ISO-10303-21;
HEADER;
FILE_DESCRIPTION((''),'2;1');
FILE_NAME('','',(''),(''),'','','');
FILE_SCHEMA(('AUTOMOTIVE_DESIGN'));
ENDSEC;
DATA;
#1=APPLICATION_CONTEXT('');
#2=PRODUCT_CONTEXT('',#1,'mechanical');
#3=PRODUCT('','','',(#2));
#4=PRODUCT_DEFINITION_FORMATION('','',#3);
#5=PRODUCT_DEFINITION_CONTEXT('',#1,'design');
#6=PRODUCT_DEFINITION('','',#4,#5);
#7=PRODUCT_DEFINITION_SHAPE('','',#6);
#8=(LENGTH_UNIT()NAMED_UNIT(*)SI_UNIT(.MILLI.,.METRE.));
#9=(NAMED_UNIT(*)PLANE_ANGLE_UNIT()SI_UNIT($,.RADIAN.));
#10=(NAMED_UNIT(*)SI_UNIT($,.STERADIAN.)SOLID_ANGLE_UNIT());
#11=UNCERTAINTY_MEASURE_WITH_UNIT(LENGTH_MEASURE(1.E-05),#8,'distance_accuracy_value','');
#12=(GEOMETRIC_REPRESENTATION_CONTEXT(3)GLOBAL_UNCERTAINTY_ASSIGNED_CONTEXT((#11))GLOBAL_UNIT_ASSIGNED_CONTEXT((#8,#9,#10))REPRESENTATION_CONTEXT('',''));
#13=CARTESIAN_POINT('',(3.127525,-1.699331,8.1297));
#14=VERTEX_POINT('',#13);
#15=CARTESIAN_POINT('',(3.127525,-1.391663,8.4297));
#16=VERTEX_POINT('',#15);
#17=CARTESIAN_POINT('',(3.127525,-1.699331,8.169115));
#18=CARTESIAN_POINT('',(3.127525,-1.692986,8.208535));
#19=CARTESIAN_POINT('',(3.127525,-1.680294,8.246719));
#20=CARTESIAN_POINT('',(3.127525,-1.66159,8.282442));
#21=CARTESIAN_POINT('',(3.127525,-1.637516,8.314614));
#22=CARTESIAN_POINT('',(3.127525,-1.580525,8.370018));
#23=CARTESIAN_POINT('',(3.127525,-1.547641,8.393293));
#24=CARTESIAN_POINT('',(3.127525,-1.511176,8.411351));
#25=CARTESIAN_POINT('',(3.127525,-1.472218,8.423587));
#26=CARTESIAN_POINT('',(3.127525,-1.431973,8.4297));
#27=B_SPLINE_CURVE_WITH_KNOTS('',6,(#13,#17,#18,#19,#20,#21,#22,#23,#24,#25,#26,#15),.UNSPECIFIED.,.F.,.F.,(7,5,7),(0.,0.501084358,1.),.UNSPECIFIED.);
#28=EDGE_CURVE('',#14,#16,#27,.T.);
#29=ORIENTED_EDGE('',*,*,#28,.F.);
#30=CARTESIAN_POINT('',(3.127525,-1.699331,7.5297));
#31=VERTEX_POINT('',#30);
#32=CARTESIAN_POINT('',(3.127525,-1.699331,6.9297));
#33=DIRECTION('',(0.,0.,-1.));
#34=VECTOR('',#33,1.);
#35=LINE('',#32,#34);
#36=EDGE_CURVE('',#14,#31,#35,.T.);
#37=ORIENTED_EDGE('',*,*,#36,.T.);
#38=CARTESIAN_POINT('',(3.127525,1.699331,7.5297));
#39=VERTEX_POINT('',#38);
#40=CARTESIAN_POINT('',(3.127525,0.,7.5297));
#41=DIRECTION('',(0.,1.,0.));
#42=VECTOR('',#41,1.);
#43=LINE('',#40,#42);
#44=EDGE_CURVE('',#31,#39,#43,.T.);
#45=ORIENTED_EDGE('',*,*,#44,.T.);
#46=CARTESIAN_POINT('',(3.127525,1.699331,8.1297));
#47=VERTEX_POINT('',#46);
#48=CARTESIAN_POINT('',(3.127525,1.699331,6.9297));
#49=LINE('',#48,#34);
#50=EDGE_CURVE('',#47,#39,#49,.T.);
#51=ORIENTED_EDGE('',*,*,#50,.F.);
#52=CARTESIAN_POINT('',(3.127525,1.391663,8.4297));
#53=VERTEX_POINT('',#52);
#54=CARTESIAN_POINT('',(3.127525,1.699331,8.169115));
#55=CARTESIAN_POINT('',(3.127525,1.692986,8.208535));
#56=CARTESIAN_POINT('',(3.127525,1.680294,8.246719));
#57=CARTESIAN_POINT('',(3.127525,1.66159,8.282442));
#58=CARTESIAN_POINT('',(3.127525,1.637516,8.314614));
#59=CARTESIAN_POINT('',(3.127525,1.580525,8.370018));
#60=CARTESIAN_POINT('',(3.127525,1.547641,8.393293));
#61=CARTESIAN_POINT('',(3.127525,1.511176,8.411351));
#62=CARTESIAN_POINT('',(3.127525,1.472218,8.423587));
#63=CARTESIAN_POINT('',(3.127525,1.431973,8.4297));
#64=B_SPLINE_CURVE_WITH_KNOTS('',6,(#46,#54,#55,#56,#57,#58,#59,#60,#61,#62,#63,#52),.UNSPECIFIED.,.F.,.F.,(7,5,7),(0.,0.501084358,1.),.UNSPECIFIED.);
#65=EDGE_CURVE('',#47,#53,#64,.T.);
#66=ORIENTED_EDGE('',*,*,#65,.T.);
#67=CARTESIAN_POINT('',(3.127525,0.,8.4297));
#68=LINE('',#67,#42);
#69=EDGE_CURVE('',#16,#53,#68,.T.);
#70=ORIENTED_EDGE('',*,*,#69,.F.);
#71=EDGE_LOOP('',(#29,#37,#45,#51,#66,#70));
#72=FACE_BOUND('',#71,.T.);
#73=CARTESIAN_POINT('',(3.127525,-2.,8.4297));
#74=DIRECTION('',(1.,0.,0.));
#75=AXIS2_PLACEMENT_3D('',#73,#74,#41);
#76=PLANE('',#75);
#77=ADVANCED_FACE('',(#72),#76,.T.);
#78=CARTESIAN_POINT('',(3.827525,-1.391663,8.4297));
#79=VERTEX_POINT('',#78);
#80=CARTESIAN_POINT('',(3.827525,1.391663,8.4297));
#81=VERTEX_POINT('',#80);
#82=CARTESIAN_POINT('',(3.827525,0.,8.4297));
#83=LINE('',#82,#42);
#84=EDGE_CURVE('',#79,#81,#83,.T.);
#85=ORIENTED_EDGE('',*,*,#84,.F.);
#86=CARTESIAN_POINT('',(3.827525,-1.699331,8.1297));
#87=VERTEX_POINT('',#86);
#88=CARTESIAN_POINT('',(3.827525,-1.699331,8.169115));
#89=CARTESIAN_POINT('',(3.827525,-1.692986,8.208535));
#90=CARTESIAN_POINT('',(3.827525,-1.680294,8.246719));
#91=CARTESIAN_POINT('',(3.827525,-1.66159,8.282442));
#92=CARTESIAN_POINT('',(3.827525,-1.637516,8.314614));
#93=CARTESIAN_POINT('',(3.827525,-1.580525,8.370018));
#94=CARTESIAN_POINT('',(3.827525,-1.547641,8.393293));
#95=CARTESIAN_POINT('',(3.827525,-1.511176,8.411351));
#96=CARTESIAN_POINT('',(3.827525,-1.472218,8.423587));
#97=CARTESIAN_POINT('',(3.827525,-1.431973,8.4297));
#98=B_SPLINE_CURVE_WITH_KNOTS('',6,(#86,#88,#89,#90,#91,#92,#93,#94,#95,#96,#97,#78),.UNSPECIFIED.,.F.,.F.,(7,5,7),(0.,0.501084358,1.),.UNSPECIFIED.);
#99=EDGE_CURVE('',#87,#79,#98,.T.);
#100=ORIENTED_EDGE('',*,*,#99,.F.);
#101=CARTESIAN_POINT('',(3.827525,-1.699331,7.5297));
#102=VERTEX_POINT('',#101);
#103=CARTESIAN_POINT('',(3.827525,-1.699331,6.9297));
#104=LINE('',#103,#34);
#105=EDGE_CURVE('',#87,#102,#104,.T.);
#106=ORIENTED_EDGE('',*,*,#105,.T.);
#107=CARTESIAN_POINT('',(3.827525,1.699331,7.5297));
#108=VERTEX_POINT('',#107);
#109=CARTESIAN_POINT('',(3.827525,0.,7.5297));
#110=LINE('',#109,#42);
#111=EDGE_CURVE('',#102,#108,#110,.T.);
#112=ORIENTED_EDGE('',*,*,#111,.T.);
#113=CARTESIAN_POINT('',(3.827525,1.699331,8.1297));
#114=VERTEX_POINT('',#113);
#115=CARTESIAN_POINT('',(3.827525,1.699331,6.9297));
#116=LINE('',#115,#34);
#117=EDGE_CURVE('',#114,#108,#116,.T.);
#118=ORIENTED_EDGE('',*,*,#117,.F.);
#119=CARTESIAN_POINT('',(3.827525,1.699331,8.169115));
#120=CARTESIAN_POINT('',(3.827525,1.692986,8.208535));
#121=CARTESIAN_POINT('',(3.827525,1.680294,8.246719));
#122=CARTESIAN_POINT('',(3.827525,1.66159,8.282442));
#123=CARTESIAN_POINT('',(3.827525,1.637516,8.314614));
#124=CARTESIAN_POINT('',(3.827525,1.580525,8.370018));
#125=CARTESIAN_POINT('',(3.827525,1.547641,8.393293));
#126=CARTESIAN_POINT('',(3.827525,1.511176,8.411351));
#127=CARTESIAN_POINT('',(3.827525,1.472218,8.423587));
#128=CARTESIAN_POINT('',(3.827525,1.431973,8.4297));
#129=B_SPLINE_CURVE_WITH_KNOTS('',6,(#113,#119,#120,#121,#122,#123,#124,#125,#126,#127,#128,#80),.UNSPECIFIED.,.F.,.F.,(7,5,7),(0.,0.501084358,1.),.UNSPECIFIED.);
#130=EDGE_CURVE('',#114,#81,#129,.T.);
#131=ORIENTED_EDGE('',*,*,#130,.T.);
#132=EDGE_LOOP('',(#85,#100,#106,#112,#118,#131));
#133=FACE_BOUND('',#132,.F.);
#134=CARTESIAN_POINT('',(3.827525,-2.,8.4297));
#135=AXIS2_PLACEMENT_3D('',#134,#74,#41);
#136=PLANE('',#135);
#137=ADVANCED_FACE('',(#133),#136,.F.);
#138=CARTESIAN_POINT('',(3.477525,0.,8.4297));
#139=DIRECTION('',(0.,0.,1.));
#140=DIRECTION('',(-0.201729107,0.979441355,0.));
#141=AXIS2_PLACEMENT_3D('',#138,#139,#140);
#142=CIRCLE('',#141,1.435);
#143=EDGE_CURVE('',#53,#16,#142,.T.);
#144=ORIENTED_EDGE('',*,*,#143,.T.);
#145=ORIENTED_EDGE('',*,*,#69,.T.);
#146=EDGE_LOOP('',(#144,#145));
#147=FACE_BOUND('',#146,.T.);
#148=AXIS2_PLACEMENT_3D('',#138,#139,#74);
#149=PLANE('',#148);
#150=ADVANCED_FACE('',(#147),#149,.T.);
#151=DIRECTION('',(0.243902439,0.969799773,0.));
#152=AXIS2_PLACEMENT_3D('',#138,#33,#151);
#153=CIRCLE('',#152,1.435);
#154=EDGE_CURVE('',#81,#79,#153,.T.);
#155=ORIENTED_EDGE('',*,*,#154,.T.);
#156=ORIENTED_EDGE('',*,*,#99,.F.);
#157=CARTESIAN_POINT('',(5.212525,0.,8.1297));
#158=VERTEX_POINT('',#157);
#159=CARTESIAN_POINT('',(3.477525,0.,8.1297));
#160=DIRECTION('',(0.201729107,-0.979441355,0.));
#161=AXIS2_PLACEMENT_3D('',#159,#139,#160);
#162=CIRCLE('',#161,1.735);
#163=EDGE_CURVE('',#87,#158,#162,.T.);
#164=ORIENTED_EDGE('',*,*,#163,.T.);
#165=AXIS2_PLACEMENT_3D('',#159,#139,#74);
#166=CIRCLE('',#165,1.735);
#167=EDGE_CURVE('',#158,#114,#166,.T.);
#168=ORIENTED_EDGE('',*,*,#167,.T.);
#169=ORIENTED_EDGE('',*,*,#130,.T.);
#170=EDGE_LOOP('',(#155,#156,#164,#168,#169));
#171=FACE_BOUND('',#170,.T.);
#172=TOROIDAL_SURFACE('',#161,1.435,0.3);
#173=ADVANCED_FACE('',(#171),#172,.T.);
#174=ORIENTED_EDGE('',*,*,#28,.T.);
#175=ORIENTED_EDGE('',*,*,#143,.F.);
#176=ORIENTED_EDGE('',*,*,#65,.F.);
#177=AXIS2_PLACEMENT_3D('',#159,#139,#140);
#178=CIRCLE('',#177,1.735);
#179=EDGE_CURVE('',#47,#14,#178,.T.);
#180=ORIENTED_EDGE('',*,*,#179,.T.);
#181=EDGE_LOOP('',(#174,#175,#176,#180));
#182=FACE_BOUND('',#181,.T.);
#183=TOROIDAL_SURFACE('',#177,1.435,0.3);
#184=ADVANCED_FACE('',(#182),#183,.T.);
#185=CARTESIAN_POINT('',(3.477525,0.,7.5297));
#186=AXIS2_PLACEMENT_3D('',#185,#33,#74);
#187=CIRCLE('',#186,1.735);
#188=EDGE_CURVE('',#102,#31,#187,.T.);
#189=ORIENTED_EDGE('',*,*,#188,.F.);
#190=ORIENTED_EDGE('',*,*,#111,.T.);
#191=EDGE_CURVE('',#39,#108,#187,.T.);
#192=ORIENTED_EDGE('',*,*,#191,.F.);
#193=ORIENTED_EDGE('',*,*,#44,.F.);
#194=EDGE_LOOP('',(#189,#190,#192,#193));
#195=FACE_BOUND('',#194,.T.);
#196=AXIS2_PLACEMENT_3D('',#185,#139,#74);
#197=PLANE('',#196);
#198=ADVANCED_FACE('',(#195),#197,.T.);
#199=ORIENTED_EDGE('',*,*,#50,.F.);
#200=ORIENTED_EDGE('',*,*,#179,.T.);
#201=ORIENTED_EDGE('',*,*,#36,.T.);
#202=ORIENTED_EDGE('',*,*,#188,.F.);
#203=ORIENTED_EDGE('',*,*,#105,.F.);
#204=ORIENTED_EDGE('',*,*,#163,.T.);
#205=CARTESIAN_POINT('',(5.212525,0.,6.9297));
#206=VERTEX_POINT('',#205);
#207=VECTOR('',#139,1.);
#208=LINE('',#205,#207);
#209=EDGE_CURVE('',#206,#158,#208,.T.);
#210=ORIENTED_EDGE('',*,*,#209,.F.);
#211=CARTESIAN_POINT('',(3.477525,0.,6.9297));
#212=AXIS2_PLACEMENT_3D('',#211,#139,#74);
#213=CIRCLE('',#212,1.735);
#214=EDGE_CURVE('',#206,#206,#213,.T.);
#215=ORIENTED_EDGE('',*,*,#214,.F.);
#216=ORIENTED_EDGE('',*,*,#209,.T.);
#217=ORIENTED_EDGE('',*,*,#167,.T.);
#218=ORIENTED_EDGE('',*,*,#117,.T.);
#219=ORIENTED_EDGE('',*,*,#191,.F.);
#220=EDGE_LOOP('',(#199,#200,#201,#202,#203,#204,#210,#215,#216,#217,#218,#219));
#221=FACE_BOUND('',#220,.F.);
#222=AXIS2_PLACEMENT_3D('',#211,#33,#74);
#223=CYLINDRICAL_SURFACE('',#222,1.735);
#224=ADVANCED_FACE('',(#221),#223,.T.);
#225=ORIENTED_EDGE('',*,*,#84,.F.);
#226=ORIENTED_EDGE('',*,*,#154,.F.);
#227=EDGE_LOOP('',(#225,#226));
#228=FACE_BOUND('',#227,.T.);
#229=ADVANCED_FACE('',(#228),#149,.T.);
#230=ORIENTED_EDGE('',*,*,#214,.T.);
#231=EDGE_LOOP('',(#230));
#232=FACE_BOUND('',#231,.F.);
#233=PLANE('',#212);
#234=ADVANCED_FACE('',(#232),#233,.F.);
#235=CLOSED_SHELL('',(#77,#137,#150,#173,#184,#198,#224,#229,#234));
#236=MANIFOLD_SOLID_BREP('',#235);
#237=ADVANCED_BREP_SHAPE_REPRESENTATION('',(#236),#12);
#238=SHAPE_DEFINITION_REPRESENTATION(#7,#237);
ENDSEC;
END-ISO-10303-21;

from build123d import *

# Parameters (mm, degrees)
SKETCH017_R     = 1.735
PAD008_DEPTH    = 1.5
SKETCH018_W     = 0.7
SKETCH018_H     = 4
POCKET007_DEPTH = 0.9
FILLET007_R     = 0.3


with BuildPart() as part:
    # Sketch017 → Pad008 (new body)
    with BuildSketch(Plane.XY):
        Circle(SKETCH017_R)
    extrude(amount=PAD008_DEPTH)

    # Sketch018 (on Face3 of Pad008) → Pocket007 (cut)
    with BuildSketch(Plane.XY.offset(1.5)):
        Rectangle(SKETCH018_W, SKETCH018_H)
    extrude(amount=-POCKET007_DEPTH, mode=Mode.SUBTRACT)

    # Fillet007
    fillet007_edges = [part.edges().sort_by_distance(p)[0] for p in [
        (1.344893, -1.096124, 1.5),
        (-1.735, 0, 1.5),
    ]]
    fillet(fillet007_edges, radius=FILLET007_R)


with BuildPart() as part_1:
    # Body006 placement: moved
    add(part.part.moved(Location((3.477525, 0, 6.9297))))


solid = part_1.part
